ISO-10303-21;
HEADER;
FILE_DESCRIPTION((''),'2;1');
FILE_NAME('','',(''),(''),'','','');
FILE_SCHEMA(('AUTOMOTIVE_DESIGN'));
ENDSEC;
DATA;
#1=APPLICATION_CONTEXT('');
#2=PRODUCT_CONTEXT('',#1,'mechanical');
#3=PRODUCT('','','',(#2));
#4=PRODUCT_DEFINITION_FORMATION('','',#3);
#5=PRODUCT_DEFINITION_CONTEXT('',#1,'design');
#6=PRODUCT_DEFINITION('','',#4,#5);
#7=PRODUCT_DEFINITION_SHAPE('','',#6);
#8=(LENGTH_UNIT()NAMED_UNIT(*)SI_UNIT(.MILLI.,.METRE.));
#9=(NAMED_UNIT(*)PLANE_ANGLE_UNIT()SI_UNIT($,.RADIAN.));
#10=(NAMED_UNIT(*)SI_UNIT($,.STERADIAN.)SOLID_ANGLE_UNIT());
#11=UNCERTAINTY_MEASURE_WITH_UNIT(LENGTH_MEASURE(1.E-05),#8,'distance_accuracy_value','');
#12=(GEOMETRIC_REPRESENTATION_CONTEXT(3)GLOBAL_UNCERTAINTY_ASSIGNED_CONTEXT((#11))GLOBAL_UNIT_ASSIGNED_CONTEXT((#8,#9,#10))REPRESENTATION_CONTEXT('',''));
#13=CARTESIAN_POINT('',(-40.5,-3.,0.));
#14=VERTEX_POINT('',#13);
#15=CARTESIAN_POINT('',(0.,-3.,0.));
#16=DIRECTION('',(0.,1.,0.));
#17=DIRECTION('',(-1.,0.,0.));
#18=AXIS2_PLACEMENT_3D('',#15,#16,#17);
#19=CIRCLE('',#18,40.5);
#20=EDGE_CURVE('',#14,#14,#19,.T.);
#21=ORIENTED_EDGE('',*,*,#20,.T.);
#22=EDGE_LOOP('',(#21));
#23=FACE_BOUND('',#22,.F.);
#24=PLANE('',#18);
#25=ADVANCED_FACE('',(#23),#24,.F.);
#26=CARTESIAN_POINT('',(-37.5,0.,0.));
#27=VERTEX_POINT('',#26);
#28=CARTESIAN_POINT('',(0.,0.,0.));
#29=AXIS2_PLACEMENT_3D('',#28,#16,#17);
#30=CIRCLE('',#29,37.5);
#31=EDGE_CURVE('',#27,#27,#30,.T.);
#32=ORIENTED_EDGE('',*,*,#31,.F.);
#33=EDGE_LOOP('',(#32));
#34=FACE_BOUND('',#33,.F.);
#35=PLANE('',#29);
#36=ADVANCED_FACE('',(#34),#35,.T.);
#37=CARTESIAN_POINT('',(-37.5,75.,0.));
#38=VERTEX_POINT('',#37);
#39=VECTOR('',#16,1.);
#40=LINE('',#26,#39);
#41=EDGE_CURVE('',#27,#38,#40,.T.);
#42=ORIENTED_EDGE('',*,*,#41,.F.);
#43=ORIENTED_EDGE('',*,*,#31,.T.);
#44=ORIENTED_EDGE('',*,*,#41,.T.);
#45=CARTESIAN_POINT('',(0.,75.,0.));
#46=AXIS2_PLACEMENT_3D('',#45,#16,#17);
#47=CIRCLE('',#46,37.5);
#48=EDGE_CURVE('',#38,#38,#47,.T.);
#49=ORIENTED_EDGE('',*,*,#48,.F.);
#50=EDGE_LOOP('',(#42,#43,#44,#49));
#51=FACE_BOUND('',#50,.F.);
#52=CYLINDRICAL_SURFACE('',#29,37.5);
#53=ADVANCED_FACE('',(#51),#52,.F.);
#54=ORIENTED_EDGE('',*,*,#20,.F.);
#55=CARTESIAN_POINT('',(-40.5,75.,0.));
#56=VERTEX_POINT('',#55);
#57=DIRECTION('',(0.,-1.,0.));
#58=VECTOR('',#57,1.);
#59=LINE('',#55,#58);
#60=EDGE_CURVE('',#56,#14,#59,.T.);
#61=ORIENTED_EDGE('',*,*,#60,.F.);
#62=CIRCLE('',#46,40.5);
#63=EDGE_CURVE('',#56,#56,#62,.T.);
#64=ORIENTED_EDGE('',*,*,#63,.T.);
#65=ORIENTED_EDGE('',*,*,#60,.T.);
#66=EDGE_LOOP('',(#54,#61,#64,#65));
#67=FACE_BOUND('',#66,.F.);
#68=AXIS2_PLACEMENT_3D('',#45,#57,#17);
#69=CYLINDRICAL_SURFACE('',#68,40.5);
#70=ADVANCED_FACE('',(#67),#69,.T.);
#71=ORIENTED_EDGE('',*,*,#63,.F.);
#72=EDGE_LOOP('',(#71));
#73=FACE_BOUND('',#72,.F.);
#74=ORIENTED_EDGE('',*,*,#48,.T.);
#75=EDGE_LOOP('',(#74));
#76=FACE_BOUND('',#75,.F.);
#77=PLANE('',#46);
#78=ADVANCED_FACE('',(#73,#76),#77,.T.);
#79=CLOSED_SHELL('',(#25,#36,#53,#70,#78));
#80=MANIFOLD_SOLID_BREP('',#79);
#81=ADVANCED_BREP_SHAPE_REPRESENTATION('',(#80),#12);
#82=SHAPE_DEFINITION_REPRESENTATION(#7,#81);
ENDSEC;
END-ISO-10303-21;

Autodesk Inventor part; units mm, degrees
ref_plane "YZ Plane" through (0, 0, 0) normal (1, 0, 0) x (0, 1, 0)
ref_plane "XZ Plane" through (0, 0, 0) normal (0, 1, 0) x (-1, 0, 0)
ref_plane "XY Plane" through (0, 0, 0) normal (0, 0, 1) x (1, 0, 0)
sketch "Sketch1" plane through (0, 0, 0) normal (0, 0, 1) x (1, 0, 0)
  line L0 (0, 0) -> (-37.5, 0)
  line L1 (-37.5, 0) -> (-37.5, 75)
  line L2 (-37.5, 75) -> (-40.5, 75)
  line L3 (-40.5, 75) -> (-40.5, -3)
  line L4 (-40.5, -3) -> (0, -3)
  line L5 (0, -3) -> (0, 0)
  dimension "d0" = 37.5
  dimension "d1" = 75
  dimension "d2" = 3
  dimension "d3" = 3
revolve "Revolution1" add sketch "Sketch1" angle 360 about axis through (0, -3, 0) along (0, 1, 0)
equation "\"d3\" = d2"
properties part number "Mug" material "Aluminum 6061"
